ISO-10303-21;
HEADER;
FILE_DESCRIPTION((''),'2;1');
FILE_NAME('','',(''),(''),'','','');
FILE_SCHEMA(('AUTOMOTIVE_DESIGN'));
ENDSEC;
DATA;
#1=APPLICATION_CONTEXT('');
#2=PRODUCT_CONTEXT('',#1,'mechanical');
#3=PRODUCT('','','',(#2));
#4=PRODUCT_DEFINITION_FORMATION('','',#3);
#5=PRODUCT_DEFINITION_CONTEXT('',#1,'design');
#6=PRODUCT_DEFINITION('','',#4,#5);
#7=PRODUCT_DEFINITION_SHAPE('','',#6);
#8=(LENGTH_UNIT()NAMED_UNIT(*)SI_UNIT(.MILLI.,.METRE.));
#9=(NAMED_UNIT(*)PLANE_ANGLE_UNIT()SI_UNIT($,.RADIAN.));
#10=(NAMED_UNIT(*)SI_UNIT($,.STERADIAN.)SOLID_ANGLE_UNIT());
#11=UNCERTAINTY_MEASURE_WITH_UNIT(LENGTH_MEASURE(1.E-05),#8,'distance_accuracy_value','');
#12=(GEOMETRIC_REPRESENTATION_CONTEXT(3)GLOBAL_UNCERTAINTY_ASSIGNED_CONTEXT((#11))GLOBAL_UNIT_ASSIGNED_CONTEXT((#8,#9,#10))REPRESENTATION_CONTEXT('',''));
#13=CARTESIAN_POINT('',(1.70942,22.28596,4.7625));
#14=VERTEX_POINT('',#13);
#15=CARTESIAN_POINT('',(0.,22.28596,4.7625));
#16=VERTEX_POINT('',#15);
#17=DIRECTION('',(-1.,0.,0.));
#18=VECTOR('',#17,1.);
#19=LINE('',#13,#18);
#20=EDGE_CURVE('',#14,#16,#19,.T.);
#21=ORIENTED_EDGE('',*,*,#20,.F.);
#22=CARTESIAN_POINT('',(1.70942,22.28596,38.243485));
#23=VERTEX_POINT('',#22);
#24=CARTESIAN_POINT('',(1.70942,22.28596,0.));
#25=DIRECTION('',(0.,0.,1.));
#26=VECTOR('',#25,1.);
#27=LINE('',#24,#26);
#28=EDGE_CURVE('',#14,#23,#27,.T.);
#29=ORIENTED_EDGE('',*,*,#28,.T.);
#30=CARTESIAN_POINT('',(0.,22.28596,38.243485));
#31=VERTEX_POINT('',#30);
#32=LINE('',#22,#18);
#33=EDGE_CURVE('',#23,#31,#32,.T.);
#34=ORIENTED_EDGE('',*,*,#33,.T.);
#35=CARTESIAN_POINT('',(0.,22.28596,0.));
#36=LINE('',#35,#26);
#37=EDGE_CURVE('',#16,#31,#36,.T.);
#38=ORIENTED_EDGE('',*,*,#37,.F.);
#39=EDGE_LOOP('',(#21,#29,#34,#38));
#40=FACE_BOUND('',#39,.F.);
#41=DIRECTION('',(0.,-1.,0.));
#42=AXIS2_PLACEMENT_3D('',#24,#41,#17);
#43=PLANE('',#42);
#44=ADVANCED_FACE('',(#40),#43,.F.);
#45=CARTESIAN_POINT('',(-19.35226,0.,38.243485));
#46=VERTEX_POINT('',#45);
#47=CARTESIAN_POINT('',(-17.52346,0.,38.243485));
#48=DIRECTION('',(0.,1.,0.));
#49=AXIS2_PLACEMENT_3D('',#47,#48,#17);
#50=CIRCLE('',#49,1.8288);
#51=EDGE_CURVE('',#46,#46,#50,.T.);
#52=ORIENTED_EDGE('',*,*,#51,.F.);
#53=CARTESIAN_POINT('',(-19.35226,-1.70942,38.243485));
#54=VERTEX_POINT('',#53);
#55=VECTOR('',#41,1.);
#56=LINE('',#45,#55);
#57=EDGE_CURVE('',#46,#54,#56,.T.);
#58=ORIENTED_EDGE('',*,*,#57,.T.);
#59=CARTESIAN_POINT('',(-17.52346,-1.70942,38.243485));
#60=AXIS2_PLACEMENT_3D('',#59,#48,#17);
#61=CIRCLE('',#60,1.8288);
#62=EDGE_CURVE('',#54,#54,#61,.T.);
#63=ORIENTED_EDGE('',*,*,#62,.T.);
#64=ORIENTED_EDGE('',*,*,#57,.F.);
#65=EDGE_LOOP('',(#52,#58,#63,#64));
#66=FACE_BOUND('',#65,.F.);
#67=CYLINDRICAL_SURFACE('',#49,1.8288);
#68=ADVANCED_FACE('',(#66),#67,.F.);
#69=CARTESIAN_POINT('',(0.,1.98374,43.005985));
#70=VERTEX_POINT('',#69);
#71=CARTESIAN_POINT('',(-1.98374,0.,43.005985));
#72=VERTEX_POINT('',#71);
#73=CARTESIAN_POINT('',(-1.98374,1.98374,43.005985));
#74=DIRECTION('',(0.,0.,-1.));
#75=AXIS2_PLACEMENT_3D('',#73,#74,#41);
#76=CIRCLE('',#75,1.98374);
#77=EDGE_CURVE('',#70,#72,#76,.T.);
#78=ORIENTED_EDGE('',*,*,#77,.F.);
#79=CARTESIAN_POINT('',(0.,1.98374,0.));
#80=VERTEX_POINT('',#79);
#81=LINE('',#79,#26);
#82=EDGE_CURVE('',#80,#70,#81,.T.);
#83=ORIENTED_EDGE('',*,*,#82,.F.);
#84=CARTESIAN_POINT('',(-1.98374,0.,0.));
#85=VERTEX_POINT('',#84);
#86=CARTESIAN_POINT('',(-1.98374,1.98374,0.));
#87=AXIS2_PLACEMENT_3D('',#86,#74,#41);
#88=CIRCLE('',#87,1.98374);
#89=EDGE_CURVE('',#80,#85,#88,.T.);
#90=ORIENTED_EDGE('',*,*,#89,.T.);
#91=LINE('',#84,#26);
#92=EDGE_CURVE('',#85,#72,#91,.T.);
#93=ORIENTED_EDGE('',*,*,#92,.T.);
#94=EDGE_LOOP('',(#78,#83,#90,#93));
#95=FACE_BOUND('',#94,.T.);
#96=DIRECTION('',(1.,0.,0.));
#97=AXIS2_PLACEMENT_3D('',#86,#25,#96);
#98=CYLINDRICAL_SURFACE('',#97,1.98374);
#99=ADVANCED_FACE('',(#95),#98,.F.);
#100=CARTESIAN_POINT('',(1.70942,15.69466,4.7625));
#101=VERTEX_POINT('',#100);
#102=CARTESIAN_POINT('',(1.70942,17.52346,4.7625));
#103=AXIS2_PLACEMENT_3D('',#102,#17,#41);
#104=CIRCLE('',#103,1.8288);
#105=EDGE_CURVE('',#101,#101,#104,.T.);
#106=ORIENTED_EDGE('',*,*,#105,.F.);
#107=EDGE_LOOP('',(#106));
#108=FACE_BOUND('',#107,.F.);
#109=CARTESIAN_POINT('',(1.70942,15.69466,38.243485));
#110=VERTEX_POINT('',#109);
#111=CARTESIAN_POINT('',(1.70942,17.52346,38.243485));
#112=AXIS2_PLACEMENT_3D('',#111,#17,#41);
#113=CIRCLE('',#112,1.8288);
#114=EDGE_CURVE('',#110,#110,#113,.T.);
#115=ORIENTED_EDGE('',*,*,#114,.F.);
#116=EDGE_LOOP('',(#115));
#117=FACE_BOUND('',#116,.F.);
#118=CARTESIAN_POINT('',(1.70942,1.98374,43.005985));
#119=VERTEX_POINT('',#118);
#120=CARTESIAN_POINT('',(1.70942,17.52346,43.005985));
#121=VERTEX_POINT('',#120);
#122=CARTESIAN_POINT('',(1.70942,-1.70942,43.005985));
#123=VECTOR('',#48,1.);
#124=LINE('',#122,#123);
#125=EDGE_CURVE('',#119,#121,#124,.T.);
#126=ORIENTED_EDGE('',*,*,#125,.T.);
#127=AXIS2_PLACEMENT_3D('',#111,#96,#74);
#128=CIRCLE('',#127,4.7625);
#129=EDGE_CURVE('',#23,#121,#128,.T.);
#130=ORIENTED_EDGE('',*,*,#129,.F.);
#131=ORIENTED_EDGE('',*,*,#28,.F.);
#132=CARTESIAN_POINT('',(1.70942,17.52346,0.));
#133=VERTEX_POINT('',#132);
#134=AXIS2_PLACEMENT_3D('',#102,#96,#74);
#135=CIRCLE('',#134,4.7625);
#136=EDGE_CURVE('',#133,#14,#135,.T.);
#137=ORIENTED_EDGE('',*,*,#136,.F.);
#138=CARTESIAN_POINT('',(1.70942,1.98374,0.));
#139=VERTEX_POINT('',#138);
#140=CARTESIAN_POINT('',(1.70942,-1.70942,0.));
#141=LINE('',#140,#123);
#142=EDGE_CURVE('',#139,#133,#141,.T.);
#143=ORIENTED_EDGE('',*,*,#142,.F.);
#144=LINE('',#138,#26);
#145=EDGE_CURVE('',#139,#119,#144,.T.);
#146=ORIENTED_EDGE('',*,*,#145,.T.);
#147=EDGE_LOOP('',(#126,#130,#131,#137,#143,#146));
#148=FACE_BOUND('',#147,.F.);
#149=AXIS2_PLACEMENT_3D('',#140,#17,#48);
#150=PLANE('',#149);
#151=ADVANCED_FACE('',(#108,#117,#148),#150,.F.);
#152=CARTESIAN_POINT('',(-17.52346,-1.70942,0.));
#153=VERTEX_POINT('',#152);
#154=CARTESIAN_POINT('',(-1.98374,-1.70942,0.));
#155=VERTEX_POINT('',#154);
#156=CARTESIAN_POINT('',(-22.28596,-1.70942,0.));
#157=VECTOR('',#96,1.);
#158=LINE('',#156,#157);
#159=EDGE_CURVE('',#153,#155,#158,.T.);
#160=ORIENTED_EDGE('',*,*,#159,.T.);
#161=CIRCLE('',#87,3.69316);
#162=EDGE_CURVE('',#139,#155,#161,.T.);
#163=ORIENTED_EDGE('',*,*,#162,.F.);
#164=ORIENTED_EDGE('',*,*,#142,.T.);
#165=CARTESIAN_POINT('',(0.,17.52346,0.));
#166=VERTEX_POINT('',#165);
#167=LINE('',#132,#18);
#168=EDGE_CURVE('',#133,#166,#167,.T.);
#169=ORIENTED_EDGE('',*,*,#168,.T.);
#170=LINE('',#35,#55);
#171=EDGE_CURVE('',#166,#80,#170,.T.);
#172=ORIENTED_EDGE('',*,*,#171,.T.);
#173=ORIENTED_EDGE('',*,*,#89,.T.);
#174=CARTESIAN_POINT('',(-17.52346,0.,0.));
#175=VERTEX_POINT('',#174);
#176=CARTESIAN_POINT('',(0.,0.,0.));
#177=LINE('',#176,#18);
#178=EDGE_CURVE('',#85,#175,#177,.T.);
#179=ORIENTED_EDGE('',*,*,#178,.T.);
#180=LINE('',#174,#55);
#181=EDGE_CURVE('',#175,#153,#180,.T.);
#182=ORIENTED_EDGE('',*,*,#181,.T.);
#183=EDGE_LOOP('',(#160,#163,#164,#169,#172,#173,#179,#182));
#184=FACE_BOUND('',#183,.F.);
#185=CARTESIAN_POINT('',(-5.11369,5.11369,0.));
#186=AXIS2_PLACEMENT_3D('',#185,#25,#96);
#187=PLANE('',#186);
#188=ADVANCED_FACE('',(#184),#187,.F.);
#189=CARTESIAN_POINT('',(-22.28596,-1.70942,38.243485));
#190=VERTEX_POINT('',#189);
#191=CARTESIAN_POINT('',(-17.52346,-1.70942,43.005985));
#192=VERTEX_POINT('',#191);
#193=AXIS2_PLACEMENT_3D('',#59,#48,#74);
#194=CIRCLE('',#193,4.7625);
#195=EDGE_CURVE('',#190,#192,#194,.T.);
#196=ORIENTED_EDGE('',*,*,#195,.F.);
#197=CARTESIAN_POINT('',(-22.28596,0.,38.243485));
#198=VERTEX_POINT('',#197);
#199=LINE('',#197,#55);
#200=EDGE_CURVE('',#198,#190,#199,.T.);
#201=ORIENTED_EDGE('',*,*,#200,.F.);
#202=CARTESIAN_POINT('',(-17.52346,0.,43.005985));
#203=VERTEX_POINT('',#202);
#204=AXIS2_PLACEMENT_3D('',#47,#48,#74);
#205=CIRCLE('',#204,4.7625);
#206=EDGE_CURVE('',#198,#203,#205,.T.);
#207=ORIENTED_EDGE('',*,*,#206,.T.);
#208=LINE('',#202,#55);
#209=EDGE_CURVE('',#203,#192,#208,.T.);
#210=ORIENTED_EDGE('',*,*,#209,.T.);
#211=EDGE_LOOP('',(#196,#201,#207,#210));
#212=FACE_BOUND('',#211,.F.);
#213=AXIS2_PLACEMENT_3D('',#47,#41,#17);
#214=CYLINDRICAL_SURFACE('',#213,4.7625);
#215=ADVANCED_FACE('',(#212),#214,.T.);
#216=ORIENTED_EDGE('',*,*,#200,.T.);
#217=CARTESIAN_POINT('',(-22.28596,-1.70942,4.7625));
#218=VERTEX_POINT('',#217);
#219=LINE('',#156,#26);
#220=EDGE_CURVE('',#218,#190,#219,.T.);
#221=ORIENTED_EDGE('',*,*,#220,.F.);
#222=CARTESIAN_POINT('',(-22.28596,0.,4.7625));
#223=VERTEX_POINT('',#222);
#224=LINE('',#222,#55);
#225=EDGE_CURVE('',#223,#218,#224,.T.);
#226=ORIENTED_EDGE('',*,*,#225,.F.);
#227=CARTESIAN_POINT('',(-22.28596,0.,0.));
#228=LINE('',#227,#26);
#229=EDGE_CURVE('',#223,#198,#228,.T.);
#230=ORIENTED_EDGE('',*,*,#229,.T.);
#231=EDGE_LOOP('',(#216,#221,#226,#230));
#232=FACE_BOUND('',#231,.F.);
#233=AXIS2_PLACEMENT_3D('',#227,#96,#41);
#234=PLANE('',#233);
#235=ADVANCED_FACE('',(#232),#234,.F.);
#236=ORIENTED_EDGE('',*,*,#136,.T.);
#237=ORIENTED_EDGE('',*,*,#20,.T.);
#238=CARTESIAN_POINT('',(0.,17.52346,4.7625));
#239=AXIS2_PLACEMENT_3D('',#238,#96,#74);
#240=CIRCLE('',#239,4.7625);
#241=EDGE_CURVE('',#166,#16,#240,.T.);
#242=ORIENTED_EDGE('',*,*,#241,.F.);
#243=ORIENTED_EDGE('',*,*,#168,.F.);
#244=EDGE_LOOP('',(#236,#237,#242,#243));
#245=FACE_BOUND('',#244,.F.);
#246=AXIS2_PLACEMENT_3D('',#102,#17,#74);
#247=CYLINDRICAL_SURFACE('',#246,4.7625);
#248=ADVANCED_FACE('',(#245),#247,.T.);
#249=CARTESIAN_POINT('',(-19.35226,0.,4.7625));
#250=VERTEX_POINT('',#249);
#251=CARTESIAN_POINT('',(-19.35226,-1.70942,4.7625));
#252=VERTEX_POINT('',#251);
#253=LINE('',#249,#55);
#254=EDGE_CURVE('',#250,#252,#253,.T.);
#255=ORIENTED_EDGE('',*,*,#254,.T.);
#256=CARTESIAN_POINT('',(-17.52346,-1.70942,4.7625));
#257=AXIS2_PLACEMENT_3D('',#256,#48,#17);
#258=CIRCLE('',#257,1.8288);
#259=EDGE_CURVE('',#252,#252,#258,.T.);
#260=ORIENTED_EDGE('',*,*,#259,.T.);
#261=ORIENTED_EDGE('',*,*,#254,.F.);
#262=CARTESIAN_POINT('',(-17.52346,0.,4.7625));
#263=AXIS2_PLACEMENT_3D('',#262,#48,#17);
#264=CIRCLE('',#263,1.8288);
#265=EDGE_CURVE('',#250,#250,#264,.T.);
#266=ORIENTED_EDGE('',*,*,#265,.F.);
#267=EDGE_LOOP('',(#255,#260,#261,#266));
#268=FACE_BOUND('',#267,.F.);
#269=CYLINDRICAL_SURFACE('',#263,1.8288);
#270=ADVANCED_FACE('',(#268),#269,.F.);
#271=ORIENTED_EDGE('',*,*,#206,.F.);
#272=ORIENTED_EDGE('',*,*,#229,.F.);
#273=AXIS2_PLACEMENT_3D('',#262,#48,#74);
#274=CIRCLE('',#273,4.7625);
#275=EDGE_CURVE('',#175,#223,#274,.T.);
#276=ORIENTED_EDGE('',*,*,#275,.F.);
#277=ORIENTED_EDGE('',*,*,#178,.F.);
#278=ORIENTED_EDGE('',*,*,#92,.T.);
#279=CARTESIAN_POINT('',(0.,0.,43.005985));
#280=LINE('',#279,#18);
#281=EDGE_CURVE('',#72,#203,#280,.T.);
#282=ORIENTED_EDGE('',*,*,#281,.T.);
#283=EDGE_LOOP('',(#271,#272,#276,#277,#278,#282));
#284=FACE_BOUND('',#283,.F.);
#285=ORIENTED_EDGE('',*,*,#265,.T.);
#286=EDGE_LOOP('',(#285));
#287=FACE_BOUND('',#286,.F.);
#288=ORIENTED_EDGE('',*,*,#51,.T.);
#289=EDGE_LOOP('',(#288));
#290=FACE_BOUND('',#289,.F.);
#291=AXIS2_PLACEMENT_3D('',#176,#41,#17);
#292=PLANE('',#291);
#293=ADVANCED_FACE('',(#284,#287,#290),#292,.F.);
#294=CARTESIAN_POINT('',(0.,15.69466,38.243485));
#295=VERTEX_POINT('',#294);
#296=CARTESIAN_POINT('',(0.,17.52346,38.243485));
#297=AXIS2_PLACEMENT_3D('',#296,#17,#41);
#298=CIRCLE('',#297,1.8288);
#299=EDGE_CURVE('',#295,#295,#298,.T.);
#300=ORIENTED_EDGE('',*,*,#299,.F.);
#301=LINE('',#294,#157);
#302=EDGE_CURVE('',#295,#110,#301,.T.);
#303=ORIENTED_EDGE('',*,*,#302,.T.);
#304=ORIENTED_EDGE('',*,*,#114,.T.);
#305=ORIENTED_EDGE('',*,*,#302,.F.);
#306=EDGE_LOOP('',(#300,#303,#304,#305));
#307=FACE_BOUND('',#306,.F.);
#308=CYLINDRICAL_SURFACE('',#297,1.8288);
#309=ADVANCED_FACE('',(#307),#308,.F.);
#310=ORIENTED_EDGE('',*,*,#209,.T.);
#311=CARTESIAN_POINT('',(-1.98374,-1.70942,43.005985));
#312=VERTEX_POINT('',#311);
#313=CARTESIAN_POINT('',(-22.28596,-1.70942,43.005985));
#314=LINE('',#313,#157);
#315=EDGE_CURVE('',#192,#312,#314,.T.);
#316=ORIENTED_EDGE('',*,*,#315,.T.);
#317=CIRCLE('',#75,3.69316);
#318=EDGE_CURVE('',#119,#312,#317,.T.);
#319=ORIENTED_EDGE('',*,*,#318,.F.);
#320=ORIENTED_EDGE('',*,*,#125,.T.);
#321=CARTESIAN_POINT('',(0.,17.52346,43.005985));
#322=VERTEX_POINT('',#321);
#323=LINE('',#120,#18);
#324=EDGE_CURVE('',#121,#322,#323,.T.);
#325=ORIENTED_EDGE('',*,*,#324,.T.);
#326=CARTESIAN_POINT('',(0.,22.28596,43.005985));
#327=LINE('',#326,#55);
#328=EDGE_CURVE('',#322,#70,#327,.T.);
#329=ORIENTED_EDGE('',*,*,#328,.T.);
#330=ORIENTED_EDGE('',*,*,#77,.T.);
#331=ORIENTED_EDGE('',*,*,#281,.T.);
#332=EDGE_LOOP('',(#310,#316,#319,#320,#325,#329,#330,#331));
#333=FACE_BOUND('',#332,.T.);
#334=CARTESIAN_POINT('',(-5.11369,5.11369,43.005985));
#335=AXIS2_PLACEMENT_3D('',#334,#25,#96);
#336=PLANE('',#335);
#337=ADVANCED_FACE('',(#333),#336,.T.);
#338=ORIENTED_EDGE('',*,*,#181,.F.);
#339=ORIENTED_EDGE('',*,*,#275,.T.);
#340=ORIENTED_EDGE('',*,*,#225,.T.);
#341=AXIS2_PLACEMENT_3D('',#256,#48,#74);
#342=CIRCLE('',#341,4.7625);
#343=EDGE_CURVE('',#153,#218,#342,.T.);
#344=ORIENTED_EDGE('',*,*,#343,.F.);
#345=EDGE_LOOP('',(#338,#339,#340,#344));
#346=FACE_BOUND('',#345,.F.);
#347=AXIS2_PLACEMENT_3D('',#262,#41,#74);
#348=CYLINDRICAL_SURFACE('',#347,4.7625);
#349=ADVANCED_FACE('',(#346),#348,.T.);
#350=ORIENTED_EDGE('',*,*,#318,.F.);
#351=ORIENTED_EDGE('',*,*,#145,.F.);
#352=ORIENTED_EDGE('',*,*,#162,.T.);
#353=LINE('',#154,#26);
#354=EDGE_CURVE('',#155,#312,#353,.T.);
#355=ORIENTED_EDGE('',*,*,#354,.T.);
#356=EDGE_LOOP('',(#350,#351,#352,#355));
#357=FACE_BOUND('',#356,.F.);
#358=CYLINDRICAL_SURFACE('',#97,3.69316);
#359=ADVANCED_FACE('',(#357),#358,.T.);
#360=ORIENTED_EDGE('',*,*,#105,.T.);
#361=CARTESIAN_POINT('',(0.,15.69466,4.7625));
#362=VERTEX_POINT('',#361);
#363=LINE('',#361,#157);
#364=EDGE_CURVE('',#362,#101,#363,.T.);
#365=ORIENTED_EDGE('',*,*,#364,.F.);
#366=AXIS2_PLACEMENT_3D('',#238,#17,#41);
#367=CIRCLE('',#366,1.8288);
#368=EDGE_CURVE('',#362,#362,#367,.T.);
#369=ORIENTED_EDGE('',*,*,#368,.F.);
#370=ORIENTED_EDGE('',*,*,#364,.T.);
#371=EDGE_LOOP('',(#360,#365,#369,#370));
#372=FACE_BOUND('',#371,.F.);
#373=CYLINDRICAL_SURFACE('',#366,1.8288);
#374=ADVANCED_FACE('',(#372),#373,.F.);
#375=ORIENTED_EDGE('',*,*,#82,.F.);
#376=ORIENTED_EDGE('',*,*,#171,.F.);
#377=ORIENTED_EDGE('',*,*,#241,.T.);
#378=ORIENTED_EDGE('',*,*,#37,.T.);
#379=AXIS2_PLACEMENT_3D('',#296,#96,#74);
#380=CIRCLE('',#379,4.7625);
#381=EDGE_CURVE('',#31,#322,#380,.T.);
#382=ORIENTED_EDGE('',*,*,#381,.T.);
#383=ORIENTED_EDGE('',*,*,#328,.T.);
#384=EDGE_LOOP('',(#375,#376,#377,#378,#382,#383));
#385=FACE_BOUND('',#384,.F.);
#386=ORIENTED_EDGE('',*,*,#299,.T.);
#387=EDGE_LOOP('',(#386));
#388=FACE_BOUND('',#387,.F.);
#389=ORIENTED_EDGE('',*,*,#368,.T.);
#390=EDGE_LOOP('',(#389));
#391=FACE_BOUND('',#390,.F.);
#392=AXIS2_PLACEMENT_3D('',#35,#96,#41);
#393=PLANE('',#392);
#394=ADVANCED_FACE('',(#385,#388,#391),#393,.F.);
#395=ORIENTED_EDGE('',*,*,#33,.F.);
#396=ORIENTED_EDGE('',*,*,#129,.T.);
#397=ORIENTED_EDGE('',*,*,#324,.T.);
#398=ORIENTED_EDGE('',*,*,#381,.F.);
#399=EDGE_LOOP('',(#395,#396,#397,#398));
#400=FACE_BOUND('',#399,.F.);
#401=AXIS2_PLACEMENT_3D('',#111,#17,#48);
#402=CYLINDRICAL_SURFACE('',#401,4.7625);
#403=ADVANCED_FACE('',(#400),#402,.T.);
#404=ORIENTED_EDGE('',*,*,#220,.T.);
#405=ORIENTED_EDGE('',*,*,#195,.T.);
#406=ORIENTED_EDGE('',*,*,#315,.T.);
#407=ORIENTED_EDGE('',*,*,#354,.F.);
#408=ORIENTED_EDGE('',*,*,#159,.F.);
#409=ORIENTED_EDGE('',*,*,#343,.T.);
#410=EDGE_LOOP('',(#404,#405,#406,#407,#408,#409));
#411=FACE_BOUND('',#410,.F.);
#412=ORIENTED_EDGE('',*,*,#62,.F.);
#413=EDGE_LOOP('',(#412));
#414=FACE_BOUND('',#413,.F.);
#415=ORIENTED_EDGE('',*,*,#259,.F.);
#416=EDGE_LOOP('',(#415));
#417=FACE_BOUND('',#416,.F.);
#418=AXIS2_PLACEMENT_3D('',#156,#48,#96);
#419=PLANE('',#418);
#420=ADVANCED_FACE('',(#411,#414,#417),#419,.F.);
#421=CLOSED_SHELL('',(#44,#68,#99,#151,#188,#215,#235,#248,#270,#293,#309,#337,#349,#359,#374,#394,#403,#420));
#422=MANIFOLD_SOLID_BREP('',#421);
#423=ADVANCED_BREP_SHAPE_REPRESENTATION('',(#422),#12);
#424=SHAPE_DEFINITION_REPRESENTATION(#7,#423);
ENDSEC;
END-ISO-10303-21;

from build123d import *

# Parameters (mm, degrees)
F1_DEPTH = 43.005985
F2_R     = 1.98374
F3_R     = 3.69316
F4_R     = 1.8288
F5_DEPTH = 1.70942
F6_R     = 1.8288
F7_DEPTH = 1.70942
F8_R     = 4.7625


with BuildPart() as f1:
    # F0 (on Top) → F1 (new body)
    with BuildSketch(Plane.XY):
        Polygon((1.70942, 22.28596), (0, 22.28596), (0, 0), (-22.28596, 0), (-22.28596, -1.70942), (1.70942, -1.70942), align=None)
    extrude(amount=F1_DEPTH)

    # F2
    f2_edges = [f1.edges().sort_by_distance(p)[0] for p in [
        (0, 0, 21.502992),
    ]]
    fillet(f2_edges, radius=F2_R)

    # F3
    f3_edges = [f1.edges().sort_by_distance(p)[0] for p in [
        (1.70942, -1.70942, 21.502992),
    ]]
    fillet(f3_edges, radius=F3_R)

    # F4 (on face) → F5 (cut, through all)
    with BuildSketch(Plane(origin=(0, 0, 0), x_dir=(0, -1, 0), z_dir=(-1, 0, 0))):
        with Locations((-17.52346, 38.243485)):
            Circle(F4_R)
        with Locations((-17.52346, 4.7625)):
            Circle(F4_R)
    extrude(amount=-F5_DEPTH, mode=Mode.SUBTRACT)

    # F6 (on face) → F7 (cut, through all)
    with BuildSketch(Plane(origin=(0, 0, 0), x_dir=(-1, 0, 0), z_dir=(0, 1, 0))):
        with Locations((17.52346, 38.243485)):
            Circle(F6_R)
        with Locations((17.52346, 4.7625)):
            Circle(F6_R)
    extrude(amount=-F7_DEPTH, mode=Mode.SUBTRACT)

    # F8
    f8_edges = [f1.edges().sort_by_distance(p)[0] for p in [
        (0.85471, 22.28596, 43.005985),
        (-22.28596, -0.85471, 43.005985),
        (-22.28596, -0.85471, 0),
        (0.85471, 22.28596, 0),
    ]]
    fillet(f8_edges, radius=F8_R)


solid = f1.part
